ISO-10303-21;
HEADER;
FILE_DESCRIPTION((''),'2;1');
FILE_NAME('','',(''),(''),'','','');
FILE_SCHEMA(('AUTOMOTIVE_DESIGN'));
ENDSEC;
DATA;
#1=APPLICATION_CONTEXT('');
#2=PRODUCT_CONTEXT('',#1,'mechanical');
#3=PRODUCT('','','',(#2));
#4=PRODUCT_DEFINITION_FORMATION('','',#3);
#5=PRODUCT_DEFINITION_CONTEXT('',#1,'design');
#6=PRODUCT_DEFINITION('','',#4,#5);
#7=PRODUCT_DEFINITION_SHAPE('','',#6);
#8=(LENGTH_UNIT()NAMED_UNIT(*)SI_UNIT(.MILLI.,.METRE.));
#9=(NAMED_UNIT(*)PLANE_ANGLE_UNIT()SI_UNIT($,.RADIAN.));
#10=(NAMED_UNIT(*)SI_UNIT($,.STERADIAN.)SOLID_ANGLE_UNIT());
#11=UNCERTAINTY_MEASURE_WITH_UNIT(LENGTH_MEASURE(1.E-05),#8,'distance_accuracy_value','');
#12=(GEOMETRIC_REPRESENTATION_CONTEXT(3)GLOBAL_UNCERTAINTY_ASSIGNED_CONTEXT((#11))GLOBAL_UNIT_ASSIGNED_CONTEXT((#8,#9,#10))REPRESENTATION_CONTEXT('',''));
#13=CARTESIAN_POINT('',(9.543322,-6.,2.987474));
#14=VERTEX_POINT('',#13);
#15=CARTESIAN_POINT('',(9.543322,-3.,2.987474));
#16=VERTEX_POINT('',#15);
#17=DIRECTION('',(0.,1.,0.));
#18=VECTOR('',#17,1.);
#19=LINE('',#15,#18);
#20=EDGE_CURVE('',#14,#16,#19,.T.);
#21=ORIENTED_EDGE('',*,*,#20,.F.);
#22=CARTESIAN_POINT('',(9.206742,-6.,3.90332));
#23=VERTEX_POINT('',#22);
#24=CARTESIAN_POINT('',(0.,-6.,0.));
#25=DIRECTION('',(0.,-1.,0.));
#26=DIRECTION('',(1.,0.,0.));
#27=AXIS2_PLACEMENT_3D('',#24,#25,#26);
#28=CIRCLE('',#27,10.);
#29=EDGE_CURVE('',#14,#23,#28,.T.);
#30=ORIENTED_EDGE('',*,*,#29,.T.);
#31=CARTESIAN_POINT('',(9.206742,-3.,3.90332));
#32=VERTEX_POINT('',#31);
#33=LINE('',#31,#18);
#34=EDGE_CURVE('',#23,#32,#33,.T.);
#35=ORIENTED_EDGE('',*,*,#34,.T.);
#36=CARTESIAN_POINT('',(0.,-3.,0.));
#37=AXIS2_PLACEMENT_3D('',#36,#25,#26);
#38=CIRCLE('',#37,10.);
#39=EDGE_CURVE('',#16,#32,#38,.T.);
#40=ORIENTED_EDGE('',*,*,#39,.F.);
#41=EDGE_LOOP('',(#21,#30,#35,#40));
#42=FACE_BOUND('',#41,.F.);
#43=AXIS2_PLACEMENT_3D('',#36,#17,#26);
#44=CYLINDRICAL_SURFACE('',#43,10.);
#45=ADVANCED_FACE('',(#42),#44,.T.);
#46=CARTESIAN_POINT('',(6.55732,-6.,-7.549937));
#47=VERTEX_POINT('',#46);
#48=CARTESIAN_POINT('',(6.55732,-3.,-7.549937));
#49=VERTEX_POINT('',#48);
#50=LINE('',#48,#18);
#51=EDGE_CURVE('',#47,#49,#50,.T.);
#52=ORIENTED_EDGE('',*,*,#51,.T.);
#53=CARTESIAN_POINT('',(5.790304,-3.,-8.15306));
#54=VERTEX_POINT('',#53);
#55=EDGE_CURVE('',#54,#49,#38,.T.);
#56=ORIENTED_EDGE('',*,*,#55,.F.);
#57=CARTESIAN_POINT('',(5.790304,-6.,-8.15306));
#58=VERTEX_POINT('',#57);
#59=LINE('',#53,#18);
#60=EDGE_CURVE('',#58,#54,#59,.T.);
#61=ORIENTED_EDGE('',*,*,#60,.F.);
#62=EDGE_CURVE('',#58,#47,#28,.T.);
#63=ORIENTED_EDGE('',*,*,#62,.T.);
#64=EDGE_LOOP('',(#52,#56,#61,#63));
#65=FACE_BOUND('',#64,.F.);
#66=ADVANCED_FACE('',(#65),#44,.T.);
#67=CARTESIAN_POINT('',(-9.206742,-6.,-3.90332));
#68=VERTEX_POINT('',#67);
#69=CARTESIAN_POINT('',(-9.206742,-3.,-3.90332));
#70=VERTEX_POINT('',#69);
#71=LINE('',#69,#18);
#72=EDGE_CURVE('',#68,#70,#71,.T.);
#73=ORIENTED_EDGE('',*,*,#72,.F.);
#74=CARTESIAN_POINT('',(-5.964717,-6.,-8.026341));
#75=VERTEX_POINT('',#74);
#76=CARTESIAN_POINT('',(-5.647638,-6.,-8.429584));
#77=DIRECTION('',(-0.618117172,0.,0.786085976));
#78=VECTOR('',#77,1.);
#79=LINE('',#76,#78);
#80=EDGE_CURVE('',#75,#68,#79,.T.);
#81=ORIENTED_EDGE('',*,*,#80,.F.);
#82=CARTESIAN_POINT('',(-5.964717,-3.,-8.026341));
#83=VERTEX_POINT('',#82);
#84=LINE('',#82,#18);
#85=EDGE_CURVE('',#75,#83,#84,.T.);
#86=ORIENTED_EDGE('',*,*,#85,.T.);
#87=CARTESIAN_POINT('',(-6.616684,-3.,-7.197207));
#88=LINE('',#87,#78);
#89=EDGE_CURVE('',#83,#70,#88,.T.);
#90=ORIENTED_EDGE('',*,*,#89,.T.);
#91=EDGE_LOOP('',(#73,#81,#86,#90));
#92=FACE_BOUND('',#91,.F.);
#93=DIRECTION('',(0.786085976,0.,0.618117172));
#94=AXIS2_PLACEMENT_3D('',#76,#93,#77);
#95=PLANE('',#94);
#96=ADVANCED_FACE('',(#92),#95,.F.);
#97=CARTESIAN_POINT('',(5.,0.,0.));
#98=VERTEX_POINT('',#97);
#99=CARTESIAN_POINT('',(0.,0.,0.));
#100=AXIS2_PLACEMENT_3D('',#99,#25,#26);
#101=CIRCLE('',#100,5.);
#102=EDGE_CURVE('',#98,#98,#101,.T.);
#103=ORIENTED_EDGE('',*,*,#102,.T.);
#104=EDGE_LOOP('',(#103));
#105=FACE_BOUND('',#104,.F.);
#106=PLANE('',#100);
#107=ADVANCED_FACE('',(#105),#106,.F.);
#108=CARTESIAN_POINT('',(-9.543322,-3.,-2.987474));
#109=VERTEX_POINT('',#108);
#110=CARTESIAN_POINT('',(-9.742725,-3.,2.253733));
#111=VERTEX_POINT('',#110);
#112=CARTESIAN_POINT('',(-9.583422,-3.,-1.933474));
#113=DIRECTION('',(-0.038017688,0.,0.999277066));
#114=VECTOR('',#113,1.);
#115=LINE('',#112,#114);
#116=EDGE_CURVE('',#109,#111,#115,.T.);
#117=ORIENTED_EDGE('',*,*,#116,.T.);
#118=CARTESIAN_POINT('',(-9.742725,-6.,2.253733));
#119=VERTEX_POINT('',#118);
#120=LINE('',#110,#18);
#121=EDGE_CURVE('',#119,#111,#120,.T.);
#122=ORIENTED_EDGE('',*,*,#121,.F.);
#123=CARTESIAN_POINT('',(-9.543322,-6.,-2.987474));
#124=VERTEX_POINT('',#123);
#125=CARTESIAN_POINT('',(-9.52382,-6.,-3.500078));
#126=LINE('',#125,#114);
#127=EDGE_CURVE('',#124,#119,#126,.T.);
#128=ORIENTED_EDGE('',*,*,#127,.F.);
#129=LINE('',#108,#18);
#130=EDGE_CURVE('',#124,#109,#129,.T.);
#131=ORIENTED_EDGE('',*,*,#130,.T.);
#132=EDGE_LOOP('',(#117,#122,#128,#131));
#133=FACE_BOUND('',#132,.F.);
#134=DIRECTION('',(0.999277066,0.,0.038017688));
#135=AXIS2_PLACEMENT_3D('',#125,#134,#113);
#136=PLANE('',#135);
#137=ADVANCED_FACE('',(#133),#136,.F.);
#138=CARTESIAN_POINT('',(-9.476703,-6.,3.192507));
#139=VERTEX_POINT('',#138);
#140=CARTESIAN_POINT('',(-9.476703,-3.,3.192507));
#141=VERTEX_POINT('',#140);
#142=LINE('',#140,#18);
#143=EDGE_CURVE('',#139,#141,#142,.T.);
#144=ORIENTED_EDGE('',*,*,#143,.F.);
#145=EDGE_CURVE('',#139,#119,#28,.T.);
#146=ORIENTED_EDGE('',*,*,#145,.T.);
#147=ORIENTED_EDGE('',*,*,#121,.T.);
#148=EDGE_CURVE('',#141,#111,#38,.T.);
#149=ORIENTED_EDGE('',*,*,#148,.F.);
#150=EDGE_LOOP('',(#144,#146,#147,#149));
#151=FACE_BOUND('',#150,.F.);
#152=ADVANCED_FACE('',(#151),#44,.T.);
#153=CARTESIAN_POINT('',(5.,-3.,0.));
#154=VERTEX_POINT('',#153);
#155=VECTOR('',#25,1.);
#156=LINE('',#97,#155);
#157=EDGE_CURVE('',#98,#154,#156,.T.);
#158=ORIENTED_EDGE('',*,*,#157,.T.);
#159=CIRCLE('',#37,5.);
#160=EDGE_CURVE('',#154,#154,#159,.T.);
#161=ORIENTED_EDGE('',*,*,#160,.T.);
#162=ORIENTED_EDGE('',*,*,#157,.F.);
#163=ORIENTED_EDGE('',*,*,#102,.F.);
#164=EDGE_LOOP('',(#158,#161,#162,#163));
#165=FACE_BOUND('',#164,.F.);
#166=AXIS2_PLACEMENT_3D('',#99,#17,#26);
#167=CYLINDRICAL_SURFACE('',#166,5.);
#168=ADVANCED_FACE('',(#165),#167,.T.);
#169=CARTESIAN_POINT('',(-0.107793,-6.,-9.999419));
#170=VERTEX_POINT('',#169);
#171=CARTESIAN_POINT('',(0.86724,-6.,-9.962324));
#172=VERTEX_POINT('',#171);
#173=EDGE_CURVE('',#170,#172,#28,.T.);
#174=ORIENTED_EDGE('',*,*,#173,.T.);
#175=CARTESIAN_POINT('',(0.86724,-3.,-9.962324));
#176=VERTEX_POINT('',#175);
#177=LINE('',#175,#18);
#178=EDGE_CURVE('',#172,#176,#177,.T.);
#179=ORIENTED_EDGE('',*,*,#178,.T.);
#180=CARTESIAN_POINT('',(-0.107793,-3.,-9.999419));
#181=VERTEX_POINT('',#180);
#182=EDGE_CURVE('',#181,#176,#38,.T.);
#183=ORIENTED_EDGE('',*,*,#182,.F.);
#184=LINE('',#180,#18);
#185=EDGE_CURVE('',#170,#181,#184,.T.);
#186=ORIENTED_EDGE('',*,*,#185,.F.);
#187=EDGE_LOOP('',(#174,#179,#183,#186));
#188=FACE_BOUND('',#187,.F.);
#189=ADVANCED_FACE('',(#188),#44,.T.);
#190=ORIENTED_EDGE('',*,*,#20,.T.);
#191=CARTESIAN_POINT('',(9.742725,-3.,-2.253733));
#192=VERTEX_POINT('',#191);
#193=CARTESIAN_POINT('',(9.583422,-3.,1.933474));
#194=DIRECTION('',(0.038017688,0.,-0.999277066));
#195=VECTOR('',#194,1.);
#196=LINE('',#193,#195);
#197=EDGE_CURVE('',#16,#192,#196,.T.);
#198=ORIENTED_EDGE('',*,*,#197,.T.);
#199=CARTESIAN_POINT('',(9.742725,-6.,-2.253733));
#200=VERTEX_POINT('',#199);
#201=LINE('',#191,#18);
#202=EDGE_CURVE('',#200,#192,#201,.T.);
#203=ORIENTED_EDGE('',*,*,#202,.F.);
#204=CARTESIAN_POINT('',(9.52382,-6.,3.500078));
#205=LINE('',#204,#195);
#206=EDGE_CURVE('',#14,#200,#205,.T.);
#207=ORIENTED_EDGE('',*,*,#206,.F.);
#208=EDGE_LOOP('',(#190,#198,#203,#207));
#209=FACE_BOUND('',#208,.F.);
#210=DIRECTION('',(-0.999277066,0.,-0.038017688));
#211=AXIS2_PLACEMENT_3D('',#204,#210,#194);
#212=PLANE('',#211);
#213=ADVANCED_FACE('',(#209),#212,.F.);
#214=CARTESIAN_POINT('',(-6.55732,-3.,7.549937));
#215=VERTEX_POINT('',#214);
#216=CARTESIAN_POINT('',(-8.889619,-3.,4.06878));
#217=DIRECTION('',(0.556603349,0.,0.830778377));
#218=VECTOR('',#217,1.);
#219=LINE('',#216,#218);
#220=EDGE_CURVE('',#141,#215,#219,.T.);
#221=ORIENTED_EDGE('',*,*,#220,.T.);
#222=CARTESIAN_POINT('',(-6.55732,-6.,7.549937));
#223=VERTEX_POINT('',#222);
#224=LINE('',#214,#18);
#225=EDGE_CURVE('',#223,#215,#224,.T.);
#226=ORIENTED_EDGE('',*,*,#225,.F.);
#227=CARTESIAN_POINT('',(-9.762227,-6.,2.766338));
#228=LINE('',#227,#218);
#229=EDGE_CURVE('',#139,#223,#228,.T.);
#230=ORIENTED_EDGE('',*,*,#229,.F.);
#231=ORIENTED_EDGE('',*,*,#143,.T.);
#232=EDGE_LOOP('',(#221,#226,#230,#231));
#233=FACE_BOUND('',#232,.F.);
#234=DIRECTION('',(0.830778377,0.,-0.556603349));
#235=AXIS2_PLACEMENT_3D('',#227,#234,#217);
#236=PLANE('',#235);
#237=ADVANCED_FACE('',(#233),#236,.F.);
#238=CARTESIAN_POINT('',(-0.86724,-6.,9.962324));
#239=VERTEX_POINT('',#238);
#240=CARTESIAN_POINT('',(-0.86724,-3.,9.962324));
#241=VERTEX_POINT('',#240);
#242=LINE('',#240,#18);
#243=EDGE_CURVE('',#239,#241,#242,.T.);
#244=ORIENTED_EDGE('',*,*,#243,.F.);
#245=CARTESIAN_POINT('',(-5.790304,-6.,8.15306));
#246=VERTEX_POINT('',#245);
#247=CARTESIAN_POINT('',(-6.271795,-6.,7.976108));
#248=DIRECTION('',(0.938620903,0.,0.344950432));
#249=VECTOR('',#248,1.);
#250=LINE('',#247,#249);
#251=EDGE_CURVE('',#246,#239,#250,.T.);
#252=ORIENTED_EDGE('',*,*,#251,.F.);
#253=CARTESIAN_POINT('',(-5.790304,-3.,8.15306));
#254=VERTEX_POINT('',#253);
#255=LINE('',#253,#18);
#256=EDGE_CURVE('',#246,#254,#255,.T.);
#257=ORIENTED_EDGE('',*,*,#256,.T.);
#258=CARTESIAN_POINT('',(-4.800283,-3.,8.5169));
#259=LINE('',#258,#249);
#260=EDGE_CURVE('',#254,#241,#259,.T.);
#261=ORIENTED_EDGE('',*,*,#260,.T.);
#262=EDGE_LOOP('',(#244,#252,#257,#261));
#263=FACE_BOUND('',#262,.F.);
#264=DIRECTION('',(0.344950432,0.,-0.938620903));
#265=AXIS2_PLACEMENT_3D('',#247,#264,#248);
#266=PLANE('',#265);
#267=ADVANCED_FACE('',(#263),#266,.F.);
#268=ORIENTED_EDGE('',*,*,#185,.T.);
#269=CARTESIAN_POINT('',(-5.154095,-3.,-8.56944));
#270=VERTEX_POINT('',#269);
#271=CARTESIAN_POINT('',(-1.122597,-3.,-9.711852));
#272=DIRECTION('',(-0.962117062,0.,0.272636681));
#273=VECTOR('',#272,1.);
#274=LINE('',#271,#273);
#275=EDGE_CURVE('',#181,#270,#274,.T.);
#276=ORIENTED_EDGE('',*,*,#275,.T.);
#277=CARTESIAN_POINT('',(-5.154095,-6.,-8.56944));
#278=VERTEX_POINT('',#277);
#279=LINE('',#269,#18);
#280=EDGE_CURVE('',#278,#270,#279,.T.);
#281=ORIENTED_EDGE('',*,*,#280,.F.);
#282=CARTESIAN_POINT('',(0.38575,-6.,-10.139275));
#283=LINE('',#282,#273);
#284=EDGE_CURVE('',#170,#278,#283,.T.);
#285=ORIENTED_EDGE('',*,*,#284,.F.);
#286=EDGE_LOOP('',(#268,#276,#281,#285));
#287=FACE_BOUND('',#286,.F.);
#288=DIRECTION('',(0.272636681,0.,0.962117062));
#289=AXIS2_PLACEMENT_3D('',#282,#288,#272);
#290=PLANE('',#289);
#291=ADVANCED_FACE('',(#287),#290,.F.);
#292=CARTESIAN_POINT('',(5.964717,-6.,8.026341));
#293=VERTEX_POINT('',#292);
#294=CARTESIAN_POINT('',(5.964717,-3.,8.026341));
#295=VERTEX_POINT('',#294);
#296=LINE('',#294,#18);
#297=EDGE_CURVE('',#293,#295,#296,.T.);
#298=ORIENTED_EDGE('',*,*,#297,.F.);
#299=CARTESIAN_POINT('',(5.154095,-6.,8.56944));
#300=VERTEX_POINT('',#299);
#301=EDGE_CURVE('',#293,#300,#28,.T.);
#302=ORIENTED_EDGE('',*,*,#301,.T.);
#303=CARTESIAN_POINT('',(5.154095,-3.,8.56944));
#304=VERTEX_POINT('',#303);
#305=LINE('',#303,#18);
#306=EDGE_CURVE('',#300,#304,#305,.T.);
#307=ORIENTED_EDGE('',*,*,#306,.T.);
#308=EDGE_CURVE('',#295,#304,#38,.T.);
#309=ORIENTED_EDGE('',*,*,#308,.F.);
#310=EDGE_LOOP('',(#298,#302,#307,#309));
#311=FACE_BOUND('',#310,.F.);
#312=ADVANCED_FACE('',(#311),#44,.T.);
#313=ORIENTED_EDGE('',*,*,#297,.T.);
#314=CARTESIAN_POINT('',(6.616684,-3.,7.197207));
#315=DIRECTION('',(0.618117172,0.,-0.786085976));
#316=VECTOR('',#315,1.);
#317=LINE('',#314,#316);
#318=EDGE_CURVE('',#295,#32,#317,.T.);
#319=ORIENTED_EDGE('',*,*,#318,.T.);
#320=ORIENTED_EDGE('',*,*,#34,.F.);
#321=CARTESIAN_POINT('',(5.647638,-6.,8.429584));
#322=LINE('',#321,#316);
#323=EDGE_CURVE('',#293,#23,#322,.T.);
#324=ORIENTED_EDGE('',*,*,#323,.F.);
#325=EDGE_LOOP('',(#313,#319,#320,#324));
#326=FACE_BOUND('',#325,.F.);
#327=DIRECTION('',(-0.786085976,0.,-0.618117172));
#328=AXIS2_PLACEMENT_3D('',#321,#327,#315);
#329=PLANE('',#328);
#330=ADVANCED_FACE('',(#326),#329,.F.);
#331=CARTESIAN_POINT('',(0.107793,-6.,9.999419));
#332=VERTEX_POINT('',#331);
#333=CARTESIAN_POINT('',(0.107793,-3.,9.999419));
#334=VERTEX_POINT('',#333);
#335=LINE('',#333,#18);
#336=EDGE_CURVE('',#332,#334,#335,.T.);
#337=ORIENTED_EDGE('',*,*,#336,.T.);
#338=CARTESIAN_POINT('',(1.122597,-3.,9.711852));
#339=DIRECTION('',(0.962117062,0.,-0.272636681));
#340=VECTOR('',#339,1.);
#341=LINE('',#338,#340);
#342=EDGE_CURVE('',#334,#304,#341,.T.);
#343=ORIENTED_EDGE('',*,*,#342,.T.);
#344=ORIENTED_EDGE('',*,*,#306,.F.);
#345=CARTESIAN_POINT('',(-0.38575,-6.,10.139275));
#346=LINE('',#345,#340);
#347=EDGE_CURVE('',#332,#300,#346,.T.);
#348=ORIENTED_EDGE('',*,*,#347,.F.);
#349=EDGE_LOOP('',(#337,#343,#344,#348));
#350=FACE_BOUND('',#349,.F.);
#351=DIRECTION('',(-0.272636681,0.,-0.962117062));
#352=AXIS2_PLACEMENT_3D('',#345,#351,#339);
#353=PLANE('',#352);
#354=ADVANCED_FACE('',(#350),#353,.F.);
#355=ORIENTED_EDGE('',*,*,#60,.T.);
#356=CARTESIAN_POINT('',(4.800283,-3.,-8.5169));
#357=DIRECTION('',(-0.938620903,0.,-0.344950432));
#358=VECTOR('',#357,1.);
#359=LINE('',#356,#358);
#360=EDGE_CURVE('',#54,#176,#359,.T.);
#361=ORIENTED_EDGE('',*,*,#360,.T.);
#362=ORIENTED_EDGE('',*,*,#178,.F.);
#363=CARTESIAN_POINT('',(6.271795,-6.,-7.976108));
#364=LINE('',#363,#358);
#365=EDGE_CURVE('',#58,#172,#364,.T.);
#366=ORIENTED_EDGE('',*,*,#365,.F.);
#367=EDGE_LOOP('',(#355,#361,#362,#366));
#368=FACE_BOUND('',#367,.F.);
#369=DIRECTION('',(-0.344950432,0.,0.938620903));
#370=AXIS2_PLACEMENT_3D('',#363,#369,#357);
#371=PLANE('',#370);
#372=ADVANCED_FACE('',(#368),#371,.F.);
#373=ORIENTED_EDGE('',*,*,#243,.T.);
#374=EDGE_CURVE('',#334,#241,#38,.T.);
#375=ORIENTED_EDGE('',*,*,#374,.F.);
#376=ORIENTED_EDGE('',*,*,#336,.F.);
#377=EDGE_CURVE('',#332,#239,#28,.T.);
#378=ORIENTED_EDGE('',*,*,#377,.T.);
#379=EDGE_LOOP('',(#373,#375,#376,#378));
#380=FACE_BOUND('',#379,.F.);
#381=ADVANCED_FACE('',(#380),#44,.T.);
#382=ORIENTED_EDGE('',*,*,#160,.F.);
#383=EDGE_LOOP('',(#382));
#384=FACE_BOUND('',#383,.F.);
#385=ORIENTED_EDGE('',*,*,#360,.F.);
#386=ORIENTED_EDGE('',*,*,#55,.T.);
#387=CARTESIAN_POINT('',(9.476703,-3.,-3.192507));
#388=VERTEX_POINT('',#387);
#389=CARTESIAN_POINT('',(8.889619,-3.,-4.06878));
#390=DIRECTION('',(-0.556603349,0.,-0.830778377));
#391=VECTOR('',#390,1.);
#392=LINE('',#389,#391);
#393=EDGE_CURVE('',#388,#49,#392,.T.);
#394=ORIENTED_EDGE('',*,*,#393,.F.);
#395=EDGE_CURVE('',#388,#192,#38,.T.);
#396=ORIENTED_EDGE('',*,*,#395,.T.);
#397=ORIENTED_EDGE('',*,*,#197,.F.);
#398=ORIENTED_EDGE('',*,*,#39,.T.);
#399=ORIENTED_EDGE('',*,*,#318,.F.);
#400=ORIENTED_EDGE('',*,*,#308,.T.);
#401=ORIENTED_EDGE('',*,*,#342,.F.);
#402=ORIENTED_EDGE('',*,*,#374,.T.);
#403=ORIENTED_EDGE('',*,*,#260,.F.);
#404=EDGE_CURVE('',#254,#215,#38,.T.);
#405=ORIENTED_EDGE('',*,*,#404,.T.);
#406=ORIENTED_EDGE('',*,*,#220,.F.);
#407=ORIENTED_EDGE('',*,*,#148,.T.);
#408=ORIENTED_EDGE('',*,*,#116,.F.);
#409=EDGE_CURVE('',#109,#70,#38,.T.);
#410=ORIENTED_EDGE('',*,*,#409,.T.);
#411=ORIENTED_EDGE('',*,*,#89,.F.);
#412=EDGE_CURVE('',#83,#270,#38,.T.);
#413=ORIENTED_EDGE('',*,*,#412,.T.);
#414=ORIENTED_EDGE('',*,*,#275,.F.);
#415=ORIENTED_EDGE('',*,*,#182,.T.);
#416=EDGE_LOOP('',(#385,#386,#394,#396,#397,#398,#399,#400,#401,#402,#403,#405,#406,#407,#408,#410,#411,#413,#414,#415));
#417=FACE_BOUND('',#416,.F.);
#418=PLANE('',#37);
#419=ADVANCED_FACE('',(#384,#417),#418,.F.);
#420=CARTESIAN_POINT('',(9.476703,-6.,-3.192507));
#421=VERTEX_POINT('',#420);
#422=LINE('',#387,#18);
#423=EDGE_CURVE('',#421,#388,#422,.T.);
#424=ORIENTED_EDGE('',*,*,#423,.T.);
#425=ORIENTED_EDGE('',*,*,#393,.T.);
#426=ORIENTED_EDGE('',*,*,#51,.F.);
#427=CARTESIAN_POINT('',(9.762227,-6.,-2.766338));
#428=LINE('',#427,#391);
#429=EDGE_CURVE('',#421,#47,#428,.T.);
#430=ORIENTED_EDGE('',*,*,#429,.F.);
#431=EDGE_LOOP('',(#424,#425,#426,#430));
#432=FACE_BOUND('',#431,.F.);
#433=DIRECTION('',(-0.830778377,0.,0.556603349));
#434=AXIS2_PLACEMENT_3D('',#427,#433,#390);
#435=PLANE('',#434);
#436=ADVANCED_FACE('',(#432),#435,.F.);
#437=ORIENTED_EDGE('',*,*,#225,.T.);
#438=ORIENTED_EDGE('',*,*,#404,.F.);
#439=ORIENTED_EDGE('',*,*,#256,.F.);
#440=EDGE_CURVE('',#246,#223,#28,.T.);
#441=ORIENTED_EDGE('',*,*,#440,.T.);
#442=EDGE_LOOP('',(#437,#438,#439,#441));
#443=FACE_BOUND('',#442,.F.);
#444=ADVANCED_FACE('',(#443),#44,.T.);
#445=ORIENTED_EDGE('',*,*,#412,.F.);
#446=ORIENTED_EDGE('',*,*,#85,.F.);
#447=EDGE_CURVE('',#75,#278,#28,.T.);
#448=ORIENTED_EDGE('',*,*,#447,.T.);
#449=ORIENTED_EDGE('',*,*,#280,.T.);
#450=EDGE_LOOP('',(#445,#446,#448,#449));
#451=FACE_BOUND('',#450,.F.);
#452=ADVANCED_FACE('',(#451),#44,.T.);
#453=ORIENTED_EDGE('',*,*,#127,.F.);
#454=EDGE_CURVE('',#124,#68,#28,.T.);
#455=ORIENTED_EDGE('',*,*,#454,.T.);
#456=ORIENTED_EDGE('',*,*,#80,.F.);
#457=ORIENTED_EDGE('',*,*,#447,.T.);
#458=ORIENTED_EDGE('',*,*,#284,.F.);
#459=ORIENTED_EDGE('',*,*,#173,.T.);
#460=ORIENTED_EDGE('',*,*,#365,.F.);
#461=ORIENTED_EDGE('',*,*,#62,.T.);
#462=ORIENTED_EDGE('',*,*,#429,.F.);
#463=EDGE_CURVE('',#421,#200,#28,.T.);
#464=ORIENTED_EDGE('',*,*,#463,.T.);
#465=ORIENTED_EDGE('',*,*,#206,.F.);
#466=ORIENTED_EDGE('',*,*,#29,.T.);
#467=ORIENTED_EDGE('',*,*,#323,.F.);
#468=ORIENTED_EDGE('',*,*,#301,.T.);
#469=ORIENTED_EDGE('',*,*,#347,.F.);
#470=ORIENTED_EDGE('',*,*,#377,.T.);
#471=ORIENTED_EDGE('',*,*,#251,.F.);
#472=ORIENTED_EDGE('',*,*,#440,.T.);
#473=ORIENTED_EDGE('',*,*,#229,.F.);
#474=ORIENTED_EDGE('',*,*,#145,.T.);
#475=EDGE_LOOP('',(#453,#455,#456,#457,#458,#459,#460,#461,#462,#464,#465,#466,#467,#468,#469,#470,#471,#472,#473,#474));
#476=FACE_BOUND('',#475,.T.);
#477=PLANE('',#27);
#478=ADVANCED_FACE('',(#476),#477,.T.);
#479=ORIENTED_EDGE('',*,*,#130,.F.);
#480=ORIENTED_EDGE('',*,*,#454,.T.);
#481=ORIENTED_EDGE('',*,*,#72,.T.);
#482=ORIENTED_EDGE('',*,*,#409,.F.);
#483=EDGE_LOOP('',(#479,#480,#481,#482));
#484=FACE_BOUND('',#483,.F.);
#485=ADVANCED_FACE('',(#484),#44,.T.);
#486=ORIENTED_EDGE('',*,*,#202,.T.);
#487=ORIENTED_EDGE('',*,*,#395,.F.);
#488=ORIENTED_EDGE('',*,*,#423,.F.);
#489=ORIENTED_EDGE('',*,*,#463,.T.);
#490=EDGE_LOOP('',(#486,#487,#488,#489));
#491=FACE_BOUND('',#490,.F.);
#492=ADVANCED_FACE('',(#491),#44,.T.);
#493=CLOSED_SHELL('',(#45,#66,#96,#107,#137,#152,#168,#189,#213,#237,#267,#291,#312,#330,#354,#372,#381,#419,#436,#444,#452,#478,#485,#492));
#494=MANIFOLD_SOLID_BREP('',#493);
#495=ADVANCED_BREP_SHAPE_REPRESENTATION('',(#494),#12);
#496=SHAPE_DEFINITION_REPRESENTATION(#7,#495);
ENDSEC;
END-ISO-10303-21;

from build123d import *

# Parameters (mm, degrees)
F0_R     = 5
F1_DEPTH = 3
F2_R     = 10
F3_DEPTH = 3
F4_R     = 11.267003
F5_DEPTH = 25


with BuildPart() as f1:
    # F0 (on Front) → F1 (new body)
    with BuildSketch(Plane.XZ):
        Circle(F0_R)
    extrude(amount=F1_DEPTH)

    # F2 (on face) → F3 (join)
    with BuildSketch(Plane.XZ.offset(3)):
        Circle(F2_R)
    extrude(amount=F3_DEPTH)

    # F4 (on face) → F5 (cut)
    with BuildSketch(Plane.XZ.offset(6)):
        Circle(F4_R)
        Polygon((-6.271795, 7.976108), (-0.38575, 10.139275), (5.647638, 8.429584), (9.52382, 3.500078), (9.762227, -2.766338), (6.271795, -7.976108), (0.38575, -10.139275), (-5.647638, -8.429584), (-9.52382, -3.500078), (-9.762227, 2.766338), align=None, mode=Mode.SUBTRACT)
    extrude(amount=-F5_DEPTH, mode=Mode.SUBTRACT)


solid = f1.part
